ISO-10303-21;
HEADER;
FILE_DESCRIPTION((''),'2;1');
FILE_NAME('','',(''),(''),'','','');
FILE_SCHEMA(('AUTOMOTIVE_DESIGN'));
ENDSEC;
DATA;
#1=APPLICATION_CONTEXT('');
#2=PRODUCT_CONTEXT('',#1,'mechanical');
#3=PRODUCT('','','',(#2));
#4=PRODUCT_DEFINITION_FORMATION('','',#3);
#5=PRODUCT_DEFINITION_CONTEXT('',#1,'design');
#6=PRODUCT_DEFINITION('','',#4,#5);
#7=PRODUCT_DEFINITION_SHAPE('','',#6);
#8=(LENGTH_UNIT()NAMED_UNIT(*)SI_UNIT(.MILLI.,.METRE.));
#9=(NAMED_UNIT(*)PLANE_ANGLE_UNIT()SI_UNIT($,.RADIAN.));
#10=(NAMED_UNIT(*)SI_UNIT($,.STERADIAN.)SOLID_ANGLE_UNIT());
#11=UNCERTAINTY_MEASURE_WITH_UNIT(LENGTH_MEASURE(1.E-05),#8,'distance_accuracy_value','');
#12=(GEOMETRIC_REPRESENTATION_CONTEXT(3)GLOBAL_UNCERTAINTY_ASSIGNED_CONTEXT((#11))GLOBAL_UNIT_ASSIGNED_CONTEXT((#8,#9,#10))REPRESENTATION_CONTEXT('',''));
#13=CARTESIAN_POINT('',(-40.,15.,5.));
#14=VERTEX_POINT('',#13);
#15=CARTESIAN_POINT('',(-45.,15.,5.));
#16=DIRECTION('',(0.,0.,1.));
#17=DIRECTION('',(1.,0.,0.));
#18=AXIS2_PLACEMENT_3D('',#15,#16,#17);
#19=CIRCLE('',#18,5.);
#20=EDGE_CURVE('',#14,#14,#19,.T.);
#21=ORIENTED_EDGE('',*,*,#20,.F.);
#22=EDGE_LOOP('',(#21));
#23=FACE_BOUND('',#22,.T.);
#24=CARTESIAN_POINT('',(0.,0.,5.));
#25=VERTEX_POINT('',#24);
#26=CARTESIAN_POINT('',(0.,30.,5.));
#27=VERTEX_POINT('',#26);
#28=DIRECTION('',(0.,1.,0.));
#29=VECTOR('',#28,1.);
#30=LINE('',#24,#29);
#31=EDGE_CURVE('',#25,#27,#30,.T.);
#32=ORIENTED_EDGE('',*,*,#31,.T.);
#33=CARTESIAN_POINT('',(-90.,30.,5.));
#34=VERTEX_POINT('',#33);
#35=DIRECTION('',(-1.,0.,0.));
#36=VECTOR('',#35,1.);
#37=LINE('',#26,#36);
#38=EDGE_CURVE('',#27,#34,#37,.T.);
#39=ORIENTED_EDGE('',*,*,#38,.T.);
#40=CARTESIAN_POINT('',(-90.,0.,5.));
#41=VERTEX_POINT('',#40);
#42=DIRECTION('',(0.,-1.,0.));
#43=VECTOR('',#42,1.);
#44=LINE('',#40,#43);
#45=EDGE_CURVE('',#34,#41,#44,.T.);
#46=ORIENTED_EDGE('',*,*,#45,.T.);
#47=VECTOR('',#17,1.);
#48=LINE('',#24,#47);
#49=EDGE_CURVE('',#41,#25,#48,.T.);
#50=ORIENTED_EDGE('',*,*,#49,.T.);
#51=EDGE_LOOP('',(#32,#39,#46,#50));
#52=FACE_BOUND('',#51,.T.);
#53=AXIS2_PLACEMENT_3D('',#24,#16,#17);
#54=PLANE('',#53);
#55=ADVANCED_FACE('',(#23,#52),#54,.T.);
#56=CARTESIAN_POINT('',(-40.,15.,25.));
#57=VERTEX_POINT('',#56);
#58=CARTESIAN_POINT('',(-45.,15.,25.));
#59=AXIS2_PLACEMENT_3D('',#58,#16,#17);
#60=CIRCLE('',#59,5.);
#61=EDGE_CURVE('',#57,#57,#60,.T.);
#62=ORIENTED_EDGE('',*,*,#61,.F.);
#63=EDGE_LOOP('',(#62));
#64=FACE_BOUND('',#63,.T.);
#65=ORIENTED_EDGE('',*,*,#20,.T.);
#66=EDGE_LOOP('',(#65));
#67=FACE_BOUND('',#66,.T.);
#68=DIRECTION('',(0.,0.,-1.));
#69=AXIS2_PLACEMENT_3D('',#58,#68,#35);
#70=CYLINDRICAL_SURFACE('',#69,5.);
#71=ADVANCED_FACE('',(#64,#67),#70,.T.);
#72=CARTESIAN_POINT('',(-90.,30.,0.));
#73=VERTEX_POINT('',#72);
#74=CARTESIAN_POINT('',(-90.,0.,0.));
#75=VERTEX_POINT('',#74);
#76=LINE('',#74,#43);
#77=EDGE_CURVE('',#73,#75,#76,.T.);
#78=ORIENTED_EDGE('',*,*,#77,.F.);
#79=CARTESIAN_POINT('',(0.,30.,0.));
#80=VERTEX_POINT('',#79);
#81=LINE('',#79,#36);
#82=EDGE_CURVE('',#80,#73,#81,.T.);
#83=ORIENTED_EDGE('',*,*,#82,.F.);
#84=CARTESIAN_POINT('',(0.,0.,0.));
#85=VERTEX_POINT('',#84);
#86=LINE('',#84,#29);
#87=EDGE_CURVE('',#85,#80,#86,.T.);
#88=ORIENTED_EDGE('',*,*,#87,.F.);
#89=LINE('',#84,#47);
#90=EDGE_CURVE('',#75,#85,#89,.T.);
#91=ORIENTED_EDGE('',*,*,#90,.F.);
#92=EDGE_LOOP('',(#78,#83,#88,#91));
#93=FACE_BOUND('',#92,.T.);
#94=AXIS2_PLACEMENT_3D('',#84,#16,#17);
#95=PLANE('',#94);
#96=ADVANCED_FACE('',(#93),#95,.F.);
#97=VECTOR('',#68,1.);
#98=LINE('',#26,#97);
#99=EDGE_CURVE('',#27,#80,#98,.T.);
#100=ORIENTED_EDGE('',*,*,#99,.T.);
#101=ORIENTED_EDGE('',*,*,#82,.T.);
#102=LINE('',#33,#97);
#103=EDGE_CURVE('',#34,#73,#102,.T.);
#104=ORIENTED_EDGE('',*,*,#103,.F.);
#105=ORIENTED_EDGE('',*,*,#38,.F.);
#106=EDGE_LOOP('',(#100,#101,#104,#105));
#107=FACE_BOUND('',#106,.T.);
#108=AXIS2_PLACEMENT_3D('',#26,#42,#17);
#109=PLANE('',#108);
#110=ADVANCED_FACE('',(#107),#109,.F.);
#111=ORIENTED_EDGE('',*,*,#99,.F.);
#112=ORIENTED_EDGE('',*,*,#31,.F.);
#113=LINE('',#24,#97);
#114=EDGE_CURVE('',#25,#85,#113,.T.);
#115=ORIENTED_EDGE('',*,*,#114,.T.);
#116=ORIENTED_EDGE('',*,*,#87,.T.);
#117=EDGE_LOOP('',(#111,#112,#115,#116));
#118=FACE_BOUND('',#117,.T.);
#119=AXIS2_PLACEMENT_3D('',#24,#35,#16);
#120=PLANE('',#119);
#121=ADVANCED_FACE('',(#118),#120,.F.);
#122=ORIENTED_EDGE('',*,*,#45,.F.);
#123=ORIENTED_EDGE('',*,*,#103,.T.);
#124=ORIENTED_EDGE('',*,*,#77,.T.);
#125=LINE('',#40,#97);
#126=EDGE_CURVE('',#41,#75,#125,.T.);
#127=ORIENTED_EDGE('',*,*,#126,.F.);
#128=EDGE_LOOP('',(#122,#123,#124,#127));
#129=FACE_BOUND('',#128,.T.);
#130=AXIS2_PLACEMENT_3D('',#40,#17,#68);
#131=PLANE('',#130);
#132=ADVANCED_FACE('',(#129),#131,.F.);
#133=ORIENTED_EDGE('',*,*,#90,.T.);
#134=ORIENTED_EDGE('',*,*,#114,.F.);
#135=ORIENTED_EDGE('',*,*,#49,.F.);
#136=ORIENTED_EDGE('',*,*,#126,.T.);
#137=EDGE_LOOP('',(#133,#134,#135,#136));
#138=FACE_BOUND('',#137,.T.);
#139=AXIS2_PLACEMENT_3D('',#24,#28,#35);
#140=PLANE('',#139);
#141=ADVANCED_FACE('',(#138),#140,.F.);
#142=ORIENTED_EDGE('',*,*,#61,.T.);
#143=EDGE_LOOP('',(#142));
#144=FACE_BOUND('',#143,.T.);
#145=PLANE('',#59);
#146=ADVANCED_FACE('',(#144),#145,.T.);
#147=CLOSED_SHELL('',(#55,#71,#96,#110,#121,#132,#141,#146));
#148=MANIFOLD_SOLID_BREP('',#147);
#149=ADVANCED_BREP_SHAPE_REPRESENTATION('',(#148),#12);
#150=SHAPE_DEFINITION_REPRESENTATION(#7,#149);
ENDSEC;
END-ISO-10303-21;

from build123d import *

# Parameters (mm, degrees)
ESQUISSE1_W        = 90
ESQUISSE1_H        = 30
BOSS_EXTRU_1_DEPTH = 5
ESQUISSE2_R        = 5
BOSS_EXTRU_2_DEPTH = 20


with BuildPart() as part:
    # Esquisse1 → Boss.-Extru.1 (new body)
    with BuildSketch(Plane.XY):
        with Locations((-45, 15)):
            Rectangle(ESQUISSE1_W, ESQUISSE1_H)
    extrude(amount=BOSS_EXTRU_1_DEPTH)

    # Esquisse2 → Boss.-Extru.2 (add)
    with BuildSketch(Plane.XY.offset(5)):
        with Locations((-45, 15)):
            Circle(ESQUISSE2_R)
    extrude(amount=BOSS_EXTRU_2_DEPTH)


solid = part.part
